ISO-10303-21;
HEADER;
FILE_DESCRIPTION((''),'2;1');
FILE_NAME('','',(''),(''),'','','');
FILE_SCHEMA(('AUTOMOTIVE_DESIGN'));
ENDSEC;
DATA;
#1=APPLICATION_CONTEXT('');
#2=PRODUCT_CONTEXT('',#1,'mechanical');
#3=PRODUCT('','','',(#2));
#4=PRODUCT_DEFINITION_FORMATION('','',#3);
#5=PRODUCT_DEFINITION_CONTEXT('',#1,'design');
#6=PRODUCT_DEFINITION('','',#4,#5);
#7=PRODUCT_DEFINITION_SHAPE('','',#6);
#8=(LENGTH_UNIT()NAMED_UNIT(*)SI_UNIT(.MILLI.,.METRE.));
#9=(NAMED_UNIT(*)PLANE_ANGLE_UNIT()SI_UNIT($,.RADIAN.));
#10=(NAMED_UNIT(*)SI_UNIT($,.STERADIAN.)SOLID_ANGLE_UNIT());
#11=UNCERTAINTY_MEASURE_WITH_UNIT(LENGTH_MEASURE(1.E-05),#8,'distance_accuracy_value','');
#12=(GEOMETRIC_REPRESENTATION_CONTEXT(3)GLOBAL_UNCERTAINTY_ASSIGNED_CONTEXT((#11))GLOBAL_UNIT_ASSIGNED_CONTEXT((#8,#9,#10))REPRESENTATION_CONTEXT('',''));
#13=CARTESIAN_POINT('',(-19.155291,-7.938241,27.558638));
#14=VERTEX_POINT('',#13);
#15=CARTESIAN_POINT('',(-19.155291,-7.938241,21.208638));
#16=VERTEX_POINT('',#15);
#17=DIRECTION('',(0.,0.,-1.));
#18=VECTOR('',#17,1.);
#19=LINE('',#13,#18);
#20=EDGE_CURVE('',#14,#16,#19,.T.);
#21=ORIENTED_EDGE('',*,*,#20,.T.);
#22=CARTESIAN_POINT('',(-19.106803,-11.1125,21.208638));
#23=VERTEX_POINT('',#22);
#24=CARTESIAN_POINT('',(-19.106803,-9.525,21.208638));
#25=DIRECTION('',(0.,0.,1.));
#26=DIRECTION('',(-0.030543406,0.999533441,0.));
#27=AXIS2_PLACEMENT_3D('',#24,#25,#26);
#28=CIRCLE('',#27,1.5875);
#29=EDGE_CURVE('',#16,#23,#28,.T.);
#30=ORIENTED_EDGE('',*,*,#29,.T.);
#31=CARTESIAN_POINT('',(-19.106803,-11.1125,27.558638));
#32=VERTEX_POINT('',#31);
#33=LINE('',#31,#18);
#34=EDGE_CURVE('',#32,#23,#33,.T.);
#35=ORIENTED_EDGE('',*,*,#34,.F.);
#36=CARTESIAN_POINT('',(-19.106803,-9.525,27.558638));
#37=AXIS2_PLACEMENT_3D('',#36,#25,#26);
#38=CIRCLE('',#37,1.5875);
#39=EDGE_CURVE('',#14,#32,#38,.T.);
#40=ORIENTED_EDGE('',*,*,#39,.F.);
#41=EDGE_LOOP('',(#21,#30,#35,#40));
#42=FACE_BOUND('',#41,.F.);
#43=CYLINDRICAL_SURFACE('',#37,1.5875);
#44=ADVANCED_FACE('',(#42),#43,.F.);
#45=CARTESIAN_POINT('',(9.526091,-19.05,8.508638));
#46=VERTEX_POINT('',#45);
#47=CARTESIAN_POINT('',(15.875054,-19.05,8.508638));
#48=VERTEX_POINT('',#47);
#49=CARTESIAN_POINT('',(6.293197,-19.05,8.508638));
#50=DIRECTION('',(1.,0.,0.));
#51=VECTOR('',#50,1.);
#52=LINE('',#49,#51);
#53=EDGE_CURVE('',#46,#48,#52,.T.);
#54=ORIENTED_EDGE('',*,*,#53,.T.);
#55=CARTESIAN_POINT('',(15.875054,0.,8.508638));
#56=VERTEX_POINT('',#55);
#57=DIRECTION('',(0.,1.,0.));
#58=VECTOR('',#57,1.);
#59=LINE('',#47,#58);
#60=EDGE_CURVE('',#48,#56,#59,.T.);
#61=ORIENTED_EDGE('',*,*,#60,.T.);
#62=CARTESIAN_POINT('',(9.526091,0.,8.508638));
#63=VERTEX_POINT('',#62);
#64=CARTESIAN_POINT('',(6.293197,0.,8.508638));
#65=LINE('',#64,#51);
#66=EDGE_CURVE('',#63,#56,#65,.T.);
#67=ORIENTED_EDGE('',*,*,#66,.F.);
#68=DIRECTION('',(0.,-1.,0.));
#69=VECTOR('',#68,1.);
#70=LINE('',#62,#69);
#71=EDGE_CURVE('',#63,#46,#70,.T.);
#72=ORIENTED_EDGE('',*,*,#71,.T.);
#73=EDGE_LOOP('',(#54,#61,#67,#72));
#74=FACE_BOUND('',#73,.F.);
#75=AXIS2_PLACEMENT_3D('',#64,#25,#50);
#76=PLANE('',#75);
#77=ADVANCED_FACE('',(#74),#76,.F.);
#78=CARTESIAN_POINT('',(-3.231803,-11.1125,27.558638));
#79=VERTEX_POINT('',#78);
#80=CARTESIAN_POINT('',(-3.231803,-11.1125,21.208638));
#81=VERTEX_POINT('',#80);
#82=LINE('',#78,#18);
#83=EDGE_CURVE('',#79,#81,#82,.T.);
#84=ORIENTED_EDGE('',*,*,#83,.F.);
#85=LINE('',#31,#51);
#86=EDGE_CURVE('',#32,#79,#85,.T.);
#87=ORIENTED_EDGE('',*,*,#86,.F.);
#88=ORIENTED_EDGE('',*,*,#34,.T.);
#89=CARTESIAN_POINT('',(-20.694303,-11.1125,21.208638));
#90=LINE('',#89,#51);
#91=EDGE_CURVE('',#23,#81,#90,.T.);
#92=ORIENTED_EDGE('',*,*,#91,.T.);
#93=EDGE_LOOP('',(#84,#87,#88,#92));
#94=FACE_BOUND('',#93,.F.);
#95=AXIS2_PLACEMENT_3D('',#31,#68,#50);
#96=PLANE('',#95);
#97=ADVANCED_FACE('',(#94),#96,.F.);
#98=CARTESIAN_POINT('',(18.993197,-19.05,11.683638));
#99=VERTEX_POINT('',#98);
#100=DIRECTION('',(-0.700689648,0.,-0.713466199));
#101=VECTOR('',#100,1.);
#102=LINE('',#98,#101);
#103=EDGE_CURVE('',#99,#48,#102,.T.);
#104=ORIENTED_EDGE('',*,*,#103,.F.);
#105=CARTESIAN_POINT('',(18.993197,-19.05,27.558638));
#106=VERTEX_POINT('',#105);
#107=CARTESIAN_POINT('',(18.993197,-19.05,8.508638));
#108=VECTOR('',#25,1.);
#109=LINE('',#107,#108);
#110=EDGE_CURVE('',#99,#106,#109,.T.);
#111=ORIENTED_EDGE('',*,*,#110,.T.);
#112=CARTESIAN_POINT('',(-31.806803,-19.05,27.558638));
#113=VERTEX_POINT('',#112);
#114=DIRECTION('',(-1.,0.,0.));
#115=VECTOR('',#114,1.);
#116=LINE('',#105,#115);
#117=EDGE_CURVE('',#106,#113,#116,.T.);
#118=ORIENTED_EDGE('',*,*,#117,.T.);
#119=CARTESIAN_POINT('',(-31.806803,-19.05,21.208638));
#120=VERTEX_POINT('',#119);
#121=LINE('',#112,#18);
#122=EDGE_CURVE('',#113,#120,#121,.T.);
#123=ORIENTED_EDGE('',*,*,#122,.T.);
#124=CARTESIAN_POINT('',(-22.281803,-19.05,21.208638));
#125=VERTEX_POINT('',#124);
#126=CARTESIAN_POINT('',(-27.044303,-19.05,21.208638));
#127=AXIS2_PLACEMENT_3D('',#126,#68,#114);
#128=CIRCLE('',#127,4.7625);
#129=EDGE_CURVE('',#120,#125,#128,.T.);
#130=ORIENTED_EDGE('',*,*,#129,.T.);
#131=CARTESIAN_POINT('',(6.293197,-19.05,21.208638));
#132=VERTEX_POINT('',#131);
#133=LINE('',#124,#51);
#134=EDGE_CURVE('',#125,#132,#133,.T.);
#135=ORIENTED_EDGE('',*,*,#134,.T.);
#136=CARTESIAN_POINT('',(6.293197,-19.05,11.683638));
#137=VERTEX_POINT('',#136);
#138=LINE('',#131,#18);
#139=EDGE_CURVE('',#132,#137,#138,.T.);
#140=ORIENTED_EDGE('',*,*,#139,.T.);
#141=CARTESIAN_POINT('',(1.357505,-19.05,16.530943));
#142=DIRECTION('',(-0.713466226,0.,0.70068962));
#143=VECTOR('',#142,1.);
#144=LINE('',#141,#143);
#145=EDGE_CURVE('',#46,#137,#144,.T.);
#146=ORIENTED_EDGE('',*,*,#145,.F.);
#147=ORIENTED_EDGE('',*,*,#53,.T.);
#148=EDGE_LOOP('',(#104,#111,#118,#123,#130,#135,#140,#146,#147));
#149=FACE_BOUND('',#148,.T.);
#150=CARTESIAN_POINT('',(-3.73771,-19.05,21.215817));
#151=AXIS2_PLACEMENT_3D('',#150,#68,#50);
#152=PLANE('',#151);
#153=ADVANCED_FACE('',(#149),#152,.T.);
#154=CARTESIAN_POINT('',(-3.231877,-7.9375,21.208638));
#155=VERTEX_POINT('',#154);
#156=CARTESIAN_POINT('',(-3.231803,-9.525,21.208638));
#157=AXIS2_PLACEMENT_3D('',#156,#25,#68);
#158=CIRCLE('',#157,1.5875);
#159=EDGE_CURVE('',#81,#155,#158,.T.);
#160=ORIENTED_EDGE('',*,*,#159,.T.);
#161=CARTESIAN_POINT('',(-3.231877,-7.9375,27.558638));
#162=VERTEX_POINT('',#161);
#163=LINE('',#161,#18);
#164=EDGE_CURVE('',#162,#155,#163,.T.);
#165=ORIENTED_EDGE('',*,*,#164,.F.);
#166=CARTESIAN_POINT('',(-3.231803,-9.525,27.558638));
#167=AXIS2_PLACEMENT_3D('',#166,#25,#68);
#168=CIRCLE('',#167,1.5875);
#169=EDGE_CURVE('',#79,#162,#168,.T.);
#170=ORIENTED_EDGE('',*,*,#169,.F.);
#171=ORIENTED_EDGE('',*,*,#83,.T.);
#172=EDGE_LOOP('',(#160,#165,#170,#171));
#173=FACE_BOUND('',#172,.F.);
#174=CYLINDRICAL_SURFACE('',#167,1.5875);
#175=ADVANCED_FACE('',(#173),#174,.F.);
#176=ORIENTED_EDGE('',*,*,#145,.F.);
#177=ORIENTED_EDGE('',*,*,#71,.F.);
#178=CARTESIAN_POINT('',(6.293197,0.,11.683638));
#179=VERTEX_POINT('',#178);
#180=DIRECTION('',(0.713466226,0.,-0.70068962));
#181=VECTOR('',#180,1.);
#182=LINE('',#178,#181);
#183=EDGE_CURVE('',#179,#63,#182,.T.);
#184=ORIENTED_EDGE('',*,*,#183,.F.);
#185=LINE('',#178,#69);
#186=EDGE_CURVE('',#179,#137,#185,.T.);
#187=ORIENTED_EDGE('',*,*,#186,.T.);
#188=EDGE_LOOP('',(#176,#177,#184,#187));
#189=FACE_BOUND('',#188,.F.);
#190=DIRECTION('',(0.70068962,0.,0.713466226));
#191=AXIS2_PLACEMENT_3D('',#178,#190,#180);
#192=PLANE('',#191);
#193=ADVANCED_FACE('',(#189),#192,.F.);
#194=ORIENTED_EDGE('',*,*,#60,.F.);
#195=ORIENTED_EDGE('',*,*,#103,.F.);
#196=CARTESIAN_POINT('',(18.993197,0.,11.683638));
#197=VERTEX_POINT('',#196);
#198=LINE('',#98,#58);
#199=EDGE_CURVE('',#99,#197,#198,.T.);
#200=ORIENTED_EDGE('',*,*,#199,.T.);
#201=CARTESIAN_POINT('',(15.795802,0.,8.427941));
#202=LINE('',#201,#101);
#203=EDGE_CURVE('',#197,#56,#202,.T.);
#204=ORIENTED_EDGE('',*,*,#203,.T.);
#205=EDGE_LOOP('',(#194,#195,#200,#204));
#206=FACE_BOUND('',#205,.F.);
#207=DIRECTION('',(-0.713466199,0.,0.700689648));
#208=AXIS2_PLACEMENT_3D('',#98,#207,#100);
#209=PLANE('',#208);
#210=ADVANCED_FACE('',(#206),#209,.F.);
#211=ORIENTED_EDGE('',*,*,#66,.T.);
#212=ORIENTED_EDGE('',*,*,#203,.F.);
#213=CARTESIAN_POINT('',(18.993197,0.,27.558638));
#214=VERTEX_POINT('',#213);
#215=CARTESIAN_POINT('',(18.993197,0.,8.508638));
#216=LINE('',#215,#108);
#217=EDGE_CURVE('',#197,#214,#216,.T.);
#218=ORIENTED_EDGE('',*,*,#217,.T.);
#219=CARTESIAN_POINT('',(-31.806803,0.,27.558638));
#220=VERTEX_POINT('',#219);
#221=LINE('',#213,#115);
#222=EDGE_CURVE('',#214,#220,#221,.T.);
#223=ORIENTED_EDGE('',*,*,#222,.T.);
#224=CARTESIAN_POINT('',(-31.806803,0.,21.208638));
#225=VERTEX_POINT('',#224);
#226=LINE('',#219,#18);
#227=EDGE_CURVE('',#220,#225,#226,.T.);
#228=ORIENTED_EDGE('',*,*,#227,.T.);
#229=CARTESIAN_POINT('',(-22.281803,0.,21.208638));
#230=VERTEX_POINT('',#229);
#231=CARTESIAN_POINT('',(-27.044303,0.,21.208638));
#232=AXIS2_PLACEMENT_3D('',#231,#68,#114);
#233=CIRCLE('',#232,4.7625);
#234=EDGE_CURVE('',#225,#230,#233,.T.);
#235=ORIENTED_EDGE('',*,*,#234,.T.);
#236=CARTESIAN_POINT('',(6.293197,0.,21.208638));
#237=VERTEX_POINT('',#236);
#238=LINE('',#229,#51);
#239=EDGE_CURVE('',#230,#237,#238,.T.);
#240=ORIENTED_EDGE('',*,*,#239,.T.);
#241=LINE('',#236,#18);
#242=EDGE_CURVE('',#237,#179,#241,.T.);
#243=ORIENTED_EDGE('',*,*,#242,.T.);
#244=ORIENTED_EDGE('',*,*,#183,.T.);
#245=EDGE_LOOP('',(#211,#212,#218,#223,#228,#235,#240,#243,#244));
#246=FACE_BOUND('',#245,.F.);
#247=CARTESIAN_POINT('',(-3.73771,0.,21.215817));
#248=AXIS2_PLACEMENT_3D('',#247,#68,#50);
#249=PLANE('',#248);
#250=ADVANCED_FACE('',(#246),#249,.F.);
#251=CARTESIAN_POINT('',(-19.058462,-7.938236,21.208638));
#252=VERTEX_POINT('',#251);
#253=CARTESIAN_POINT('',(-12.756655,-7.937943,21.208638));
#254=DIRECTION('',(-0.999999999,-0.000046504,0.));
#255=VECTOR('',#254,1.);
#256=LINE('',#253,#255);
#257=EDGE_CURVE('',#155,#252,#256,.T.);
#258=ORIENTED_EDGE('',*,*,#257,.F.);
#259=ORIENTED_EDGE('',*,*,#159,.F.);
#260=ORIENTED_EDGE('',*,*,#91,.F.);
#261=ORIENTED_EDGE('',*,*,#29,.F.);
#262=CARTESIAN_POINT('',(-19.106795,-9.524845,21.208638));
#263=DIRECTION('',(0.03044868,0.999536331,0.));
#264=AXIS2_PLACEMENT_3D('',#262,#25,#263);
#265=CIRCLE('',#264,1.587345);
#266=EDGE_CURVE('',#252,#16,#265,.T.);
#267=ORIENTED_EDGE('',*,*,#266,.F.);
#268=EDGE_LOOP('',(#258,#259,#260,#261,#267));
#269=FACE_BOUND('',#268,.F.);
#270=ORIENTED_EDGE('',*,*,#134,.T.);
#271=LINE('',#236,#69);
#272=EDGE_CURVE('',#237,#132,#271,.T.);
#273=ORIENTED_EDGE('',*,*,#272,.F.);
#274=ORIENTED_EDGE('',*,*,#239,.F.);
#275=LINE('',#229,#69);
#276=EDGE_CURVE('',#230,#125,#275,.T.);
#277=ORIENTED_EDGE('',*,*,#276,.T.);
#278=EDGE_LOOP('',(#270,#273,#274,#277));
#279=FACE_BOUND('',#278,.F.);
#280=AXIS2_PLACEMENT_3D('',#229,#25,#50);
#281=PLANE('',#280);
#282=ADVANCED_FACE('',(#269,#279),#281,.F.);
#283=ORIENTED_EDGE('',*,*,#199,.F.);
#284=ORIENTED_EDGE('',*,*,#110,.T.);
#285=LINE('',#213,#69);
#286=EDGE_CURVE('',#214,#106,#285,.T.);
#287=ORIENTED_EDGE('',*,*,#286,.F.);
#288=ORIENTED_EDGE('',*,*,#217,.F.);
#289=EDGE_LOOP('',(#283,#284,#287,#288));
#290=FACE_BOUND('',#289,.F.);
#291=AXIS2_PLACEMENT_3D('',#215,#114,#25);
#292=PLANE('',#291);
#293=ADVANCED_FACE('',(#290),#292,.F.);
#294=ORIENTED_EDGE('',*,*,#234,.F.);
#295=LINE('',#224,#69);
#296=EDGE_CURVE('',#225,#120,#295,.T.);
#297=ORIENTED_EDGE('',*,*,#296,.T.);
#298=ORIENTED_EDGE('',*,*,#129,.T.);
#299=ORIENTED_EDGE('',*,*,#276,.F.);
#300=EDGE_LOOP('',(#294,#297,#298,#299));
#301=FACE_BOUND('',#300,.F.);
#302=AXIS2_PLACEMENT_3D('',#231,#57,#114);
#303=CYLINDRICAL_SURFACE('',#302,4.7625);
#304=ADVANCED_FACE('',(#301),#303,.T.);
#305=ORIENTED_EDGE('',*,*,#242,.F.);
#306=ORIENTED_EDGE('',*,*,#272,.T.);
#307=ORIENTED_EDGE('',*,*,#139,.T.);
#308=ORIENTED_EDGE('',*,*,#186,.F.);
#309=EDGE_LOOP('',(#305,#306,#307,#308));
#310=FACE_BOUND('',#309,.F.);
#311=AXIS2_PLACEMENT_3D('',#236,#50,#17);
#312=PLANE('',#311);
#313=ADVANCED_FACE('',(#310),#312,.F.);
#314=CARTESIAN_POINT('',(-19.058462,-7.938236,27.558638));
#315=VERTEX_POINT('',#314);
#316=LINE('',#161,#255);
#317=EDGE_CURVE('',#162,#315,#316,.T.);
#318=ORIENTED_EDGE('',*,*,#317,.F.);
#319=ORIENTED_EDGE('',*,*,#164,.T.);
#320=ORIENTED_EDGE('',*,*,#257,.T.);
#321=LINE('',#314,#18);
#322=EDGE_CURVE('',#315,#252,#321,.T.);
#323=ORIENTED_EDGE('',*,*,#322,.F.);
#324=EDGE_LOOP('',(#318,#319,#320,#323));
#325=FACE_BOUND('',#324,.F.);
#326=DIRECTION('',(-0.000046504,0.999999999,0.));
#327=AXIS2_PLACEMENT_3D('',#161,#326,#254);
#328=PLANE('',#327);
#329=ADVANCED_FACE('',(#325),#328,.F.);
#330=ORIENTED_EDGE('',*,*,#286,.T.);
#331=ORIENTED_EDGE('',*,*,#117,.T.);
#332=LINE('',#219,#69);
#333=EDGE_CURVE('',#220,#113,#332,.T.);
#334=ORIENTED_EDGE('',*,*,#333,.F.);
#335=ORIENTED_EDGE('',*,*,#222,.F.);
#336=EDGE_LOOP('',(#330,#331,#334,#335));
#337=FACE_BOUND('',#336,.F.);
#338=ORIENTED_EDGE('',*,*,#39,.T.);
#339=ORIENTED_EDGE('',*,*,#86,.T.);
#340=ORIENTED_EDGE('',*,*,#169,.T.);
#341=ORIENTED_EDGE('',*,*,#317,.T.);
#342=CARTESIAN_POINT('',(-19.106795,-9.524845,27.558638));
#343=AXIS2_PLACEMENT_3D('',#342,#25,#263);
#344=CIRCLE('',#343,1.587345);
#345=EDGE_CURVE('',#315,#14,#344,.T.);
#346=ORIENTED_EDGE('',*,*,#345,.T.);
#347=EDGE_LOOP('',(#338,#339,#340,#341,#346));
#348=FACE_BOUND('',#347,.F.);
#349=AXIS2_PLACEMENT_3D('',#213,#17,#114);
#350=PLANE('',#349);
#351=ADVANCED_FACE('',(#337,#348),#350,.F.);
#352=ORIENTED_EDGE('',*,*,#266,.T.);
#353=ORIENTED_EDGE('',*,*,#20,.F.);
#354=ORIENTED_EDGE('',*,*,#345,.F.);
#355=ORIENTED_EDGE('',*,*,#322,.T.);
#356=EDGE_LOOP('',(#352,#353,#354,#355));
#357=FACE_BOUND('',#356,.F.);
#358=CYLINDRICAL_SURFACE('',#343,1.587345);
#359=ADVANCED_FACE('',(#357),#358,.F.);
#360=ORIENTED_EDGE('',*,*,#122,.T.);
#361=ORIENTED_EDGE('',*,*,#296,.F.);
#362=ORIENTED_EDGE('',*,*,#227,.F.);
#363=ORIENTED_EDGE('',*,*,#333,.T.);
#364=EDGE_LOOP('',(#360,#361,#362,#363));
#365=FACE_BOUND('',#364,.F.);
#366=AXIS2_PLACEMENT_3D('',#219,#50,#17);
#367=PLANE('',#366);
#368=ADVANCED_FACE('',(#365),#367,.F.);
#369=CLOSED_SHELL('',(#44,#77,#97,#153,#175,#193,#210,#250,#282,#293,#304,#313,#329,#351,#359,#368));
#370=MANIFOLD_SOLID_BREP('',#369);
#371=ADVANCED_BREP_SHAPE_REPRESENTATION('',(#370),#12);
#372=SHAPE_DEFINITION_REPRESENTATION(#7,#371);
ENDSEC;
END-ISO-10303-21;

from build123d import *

# Parameters (mm, degrees)
F1_DEPTH = 19.05
F3_DEPTH = 31.17521
F5_DEPTH = 22.95972
F7_DEPTH = 30.07307


with BuildPart() as f1:
    # F0 (on Front) → F1 (new body)
    with BuildSketch(Plane.XZ):
        with BuildLine():
            Line((18.993197, 27.558638), (-31.806803, 27.558638))
            Line((-31.806803, 27.558638), (-31.806803, 21.208638))
            ThreePointArc((-31.806803, 21.208638), (-27.044303, 16.446138), (-22.281803, 21.208638))
            Line((-22.281803, 21.208638), (6.293197, 21.208638))
            Line((6.293197, 21.208638), (6.293197, 8.508638))
            Line((6.293197, 8.508638), (18.993197, 8.508638))
            Line((18.993197, 8.508638), (18.993197, 27.558638))
        make_face()
    extrude(amount=F1_DEPTH)

    # F2 (on face) → F3 (cut)
    with BuildSketch(Plane.XY.offset(27.558638)):
        with BuildLine():
            Line((-19.155291, -7.938241), (-19.058462, -7.938236))
            ThreePointArc((-19.058462, -7.938236), (-19.106877, -7.9375), (-19.155291, -7.938241))
        make_face()
        with BuildLine():
            Line((-3.231877, -7.9375), (-19.058462, -7.938236))
            Line((-19.058462, -7.938236), (-19.155291, -7.938241))
            ThreePointArc((-19.155291, -7.938241), (-20.694118, -9.549247), (-19.106803, -11.1125))
            Line((-19.106803, -11.1125), (-3.231803, -11.1125))
            ThreePointArc((-3.231803, -11.1125), (-1.644303, -9.524963), (-3.231877, -7.9375))
        make_face()
    extrude(amount=-F3_DEPTH, mode=Mode.SUBTRACT)

    # F4 (on face) → F5 (cut)
    with BuildSketch(Plane(origin=(0, 0, 0), x_dir=(-1, 0, 0), z_dir=(0, 1, 0))):
        Polygon((-6.293197, 8.508638), (-6.293197, 11.683638), (-9.526091, 8.508638), align=None)
    extrude(amount=-F5_DEPTH, mode=Mode.SUBTRACT)

    # F6 (on face) → F7 (cut)
    with BuildSketch(Plane.XZ.offset(19.05)):
        Polygon((18.993197, 8.508638), (18.993197, 11.683638), (15.875054, 8.508638), align=None)
    extrude(amount=-F7_DEPTH, mode=Mode.SUBTRACT)


solid = f1.part
